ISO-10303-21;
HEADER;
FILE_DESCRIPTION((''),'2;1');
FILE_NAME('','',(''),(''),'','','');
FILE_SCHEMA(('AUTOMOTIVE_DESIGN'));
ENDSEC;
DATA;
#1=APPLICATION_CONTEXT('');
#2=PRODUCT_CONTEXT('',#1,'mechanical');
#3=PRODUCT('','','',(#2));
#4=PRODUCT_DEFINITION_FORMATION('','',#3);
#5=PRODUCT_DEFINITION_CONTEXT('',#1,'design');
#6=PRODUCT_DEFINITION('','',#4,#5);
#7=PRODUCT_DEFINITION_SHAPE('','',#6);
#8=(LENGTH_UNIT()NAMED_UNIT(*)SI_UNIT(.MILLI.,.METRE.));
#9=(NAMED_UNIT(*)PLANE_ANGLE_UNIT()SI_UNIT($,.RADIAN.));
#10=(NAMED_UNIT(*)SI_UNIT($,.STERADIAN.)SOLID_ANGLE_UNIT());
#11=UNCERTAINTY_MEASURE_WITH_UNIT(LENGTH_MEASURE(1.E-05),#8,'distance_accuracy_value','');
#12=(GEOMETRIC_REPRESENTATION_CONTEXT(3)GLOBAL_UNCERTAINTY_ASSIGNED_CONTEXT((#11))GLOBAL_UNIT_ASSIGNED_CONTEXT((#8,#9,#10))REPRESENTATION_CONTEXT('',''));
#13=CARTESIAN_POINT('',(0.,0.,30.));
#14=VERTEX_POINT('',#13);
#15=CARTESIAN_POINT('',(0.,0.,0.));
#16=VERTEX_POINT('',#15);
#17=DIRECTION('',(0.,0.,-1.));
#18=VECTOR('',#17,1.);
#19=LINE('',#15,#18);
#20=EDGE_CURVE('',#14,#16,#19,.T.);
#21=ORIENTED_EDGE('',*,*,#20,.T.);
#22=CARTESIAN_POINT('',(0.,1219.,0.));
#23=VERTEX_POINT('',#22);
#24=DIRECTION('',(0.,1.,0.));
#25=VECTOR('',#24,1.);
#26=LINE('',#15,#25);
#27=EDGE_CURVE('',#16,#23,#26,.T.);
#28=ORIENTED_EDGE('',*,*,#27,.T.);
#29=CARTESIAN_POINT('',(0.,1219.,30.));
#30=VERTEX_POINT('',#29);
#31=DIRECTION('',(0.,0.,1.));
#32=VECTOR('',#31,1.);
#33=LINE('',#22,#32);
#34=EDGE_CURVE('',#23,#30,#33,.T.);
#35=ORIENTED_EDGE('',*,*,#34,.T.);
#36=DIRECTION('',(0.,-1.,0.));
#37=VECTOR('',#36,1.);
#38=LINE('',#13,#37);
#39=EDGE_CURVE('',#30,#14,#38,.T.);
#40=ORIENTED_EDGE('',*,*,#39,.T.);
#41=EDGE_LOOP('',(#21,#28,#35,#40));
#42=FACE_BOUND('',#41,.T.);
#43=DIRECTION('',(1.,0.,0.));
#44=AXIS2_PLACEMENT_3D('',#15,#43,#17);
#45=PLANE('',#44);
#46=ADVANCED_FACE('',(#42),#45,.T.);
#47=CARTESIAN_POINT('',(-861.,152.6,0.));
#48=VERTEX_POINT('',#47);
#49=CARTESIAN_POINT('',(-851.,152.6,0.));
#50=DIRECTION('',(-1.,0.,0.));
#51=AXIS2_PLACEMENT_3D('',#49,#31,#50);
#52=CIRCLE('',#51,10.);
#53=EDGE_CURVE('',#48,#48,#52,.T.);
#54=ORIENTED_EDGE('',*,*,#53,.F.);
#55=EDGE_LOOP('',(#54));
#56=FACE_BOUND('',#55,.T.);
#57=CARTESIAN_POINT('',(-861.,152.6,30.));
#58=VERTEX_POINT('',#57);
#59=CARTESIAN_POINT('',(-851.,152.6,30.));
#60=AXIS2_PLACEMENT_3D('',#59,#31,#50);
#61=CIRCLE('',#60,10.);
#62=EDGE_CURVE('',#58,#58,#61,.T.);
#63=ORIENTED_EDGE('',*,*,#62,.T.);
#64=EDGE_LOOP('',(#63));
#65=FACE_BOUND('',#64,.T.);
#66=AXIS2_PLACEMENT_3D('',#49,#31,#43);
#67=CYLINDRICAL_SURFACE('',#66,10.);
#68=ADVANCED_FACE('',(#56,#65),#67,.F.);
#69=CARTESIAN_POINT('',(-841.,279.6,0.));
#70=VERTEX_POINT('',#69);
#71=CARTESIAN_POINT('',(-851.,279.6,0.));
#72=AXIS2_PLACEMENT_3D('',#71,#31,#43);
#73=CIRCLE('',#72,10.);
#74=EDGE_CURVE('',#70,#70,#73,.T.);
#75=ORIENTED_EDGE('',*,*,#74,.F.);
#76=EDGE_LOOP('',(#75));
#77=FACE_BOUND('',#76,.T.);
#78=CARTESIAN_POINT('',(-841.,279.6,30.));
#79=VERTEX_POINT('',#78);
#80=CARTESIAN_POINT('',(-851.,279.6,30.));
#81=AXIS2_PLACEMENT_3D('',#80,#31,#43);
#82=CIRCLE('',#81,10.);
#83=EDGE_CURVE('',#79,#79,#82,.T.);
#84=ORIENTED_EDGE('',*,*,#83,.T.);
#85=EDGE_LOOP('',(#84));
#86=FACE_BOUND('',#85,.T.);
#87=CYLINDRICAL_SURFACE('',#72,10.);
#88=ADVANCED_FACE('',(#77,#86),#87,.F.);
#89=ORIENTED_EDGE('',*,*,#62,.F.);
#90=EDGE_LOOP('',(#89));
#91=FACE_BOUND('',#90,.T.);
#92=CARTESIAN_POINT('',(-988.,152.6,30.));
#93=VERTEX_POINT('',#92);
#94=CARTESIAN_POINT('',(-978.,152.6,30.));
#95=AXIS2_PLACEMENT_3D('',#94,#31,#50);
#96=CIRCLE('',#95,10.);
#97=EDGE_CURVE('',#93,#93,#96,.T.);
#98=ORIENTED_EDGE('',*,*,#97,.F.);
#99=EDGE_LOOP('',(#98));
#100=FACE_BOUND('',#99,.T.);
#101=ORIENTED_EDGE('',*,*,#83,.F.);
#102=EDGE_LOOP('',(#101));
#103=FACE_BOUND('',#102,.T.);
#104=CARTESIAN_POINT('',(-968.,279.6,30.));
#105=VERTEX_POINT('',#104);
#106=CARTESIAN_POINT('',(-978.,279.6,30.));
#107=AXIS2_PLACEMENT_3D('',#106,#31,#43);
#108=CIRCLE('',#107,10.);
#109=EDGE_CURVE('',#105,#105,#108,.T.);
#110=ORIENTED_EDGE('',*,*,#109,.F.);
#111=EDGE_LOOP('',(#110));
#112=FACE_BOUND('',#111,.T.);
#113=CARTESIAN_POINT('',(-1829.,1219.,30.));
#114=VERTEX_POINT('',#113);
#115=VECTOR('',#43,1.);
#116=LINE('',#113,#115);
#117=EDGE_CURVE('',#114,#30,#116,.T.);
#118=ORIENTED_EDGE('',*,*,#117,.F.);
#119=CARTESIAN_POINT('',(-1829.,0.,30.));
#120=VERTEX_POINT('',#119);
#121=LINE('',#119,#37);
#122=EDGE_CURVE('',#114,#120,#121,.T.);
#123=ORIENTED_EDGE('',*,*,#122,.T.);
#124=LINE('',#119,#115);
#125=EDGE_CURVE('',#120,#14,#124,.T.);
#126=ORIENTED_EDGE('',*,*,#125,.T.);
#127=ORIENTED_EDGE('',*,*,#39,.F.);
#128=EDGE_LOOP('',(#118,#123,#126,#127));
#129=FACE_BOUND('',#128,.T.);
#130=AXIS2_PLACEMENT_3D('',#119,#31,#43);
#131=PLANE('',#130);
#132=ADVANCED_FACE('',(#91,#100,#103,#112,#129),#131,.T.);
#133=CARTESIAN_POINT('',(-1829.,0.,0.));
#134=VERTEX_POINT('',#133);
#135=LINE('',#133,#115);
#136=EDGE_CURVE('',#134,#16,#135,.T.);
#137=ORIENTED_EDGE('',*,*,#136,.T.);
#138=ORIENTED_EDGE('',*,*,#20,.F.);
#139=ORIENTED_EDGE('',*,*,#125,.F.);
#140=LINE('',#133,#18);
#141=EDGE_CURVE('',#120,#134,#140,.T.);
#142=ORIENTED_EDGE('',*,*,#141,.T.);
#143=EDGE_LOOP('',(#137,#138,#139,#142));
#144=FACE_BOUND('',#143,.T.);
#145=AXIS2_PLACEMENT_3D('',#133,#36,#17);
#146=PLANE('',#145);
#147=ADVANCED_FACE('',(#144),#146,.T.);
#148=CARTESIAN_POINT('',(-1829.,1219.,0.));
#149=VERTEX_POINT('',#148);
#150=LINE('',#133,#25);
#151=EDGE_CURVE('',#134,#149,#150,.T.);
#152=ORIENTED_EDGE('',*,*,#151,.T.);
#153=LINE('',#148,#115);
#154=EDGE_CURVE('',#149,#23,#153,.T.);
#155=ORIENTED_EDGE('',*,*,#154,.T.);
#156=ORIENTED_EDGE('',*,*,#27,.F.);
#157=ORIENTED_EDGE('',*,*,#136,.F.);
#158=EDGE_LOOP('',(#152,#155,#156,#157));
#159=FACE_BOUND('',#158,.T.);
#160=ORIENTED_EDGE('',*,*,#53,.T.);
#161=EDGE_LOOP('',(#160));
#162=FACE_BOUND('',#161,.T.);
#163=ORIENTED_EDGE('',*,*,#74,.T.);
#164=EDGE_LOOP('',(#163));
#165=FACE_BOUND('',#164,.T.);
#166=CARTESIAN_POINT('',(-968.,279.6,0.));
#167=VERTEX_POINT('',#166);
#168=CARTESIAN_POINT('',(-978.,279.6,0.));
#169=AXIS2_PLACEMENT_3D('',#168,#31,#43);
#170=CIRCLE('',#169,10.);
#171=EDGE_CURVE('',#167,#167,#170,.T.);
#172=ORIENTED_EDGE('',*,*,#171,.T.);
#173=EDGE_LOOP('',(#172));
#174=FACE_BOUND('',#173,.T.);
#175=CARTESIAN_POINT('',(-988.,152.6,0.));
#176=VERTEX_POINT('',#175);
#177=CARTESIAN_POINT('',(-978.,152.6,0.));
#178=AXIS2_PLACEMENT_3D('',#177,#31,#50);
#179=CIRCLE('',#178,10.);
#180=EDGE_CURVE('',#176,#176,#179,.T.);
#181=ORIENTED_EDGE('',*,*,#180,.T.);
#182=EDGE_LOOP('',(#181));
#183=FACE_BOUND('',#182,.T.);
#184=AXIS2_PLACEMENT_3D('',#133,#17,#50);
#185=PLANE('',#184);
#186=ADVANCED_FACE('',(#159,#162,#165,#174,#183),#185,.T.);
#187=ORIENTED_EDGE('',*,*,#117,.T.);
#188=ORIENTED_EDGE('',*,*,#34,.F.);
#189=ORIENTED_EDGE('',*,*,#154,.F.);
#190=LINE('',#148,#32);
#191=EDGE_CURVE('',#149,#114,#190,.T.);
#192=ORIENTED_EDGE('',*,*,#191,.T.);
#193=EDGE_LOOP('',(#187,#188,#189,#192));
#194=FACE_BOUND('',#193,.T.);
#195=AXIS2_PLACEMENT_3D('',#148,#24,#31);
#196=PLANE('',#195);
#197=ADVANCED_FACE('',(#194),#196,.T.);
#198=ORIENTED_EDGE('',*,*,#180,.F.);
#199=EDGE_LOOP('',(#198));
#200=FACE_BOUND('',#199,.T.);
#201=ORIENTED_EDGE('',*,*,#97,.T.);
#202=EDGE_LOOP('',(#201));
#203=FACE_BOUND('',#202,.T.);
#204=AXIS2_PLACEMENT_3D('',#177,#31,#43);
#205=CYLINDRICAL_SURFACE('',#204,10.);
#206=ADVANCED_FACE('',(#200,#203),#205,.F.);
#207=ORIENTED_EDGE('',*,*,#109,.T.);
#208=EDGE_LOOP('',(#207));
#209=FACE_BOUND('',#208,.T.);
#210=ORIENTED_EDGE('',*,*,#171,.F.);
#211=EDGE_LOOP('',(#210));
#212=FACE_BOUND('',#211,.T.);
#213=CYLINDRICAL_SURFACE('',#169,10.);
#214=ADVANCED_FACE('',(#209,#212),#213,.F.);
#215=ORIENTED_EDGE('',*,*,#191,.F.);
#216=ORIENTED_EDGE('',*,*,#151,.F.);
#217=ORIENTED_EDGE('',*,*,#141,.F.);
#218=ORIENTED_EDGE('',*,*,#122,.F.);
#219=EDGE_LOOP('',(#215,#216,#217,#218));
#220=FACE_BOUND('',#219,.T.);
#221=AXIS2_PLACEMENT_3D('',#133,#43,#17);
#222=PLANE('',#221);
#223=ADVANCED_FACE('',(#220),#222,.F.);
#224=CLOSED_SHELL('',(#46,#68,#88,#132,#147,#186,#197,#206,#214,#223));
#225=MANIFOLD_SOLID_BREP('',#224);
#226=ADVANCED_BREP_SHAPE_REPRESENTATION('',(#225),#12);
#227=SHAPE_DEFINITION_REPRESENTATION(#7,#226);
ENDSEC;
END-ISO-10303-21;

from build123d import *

# Parameters (mm, degrees)
SKETCH1_W           = 30
SKETCH1_H           = 1219
BOSS_EXTRUDE5_DEPTH = 1829
SKETCH6_R           = 10
CUT_EXTRUDE1_DEPTH  = 2199.204267124


with BuildPart() as part:
    # Sketch1 → Boss-Extrude5 (new body)
    with BuildSketch(Plane(origin=(0, 0, 0), x_dir=(0, 0, -1), z_dir=(1, 0, 0))):
        with Locations((-15, 609.5)):
            Rectangle(SKETCH1_W, SKETCH1_H)
    extrude(amount=-BOSS_EXTRUDE5_DEPTH)

    # Sketch6 → Cut-Extrude1 (cut, through all)
    with BuildSketch(Plane.XY.offset(30)):
        with Locations((-978, 279.6)):
            Circle(SKETCH6_R)
        with Locations((-851, 279.6)):
            Circle(SKETCH6_R)
        with Locations(Location((-851, 152.6, 0), (0, 0, 180))):
            Circle(SKETCH6_R)
        with Locations(Location((-978, 152.6, 0), (0, 0, 180))):
            Circle(SKETCH6_R)
    extrude(amount=-CUT_EXTRUDE1_DEPTH, mode=Mode.SUBTRACT)


solid = part.part
